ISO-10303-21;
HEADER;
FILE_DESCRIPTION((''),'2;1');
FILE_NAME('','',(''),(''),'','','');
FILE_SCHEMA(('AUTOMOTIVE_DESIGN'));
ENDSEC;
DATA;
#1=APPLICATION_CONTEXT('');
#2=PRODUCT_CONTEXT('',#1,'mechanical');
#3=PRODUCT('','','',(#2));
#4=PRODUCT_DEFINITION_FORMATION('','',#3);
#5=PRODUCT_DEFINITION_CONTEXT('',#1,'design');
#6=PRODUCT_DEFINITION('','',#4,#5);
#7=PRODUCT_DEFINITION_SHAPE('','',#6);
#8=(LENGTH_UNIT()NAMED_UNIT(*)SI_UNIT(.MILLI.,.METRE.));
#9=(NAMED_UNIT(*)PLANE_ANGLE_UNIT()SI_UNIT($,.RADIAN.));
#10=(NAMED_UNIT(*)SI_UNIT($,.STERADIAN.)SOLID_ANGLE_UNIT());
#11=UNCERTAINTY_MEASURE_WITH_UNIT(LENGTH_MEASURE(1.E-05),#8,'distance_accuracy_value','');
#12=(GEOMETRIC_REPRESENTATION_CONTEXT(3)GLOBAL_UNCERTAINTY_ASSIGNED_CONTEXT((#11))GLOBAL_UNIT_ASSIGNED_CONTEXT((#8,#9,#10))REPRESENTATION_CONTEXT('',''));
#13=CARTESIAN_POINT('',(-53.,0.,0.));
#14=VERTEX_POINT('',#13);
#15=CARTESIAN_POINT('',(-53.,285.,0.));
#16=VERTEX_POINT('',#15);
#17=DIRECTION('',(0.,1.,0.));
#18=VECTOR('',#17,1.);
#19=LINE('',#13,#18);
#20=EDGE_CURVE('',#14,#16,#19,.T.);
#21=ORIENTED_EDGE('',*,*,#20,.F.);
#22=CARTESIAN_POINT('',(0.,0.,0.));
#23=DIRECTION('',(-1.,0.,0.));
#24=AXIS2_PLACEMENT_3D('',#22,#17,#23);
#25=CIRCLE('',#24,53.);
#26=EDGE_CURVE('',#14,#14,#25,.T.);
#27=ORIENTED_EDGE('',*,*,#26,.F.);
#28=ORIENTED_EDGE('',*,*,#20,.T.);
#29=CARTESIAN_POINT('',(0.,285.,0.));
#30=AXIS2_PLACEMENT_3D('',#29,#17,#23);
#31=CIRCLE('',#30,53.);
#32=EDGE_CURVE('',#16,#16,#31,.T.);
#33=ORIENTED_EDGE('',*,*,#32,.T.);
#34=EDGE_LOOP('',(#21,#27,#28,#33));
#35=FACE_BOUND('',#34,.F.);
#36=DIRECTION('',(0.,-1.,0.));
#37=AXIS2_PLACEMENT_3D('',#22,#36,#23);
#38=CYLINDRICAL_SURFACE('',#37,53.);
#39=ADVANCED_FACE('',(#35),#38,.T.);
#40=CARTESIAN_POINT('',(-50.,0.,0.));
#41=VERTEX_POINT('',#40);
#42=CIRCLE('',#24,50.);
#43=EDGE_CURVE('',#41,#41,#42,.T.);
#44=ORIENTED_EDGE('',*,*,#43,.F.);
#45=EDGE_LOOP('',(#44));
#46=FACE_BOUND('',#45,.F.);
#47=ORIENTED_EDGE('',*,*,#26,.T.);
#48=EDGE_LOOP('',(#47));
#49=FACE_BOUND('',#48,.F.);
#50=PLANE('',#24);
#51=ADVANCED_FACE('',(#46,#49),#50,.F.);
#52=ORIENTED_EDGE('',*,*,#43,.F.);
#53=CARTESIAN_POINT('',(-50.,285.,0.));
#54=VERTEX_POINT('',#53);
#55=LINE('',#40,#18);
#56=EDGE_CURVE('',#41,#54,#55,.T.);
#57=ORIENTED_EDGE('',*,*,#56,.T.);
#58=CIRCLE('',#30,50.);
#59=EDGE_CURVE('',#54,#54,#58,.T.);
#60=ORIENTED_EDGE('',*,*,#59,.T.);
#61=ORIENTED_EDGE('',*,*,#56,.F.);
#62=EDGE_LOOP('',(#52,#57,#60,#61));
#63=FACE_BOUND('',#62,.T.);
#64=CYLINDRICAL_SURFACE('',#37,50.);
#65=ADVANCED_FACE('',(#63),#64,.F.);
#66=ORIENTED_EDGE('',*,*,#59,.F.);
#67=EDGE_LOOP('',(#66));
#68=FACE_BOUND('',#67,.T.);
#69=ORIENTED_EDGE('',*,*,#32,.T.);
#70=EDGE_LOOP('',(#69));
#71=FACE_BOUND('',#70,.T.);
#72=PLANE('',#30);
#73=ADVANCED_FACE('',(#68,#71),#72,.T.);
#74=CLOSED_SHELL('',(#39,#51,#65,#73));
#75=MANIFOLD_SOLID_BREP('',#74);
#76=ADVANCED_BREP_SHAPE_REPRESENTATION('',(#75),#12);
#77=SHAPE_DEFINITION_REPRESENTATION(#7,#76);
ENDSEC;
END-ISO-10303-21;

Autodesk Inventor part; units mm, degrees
ref_plane "YZ Plane" through (0, 0, 0) normal (1, 0, 0) x (0, 1, 0)
ref_plane "XZ Plane" through (0, 0, 0) normal (0, 1, 0) x (-1, 0, 0)
ref_plane "XY Plane" through (0, 0, 0) normal (0, 0, 1) x (1, 0, 0)
sketch "Sketch1" plane through (0, 0, 0) normal (0, 1, 0) x (-1, 0, 0)
  circle A0 centre (0, 0) radius 50
  circle A1 centre (0, 0) radius 53
  dimension "d0" = 100
  dimension "d1" = 3
extrude "Extrusion1" add sketch "Sketch1" along normal blind 285
properties part number "Cylinder" material "Stainless Steel, Austenitic"
